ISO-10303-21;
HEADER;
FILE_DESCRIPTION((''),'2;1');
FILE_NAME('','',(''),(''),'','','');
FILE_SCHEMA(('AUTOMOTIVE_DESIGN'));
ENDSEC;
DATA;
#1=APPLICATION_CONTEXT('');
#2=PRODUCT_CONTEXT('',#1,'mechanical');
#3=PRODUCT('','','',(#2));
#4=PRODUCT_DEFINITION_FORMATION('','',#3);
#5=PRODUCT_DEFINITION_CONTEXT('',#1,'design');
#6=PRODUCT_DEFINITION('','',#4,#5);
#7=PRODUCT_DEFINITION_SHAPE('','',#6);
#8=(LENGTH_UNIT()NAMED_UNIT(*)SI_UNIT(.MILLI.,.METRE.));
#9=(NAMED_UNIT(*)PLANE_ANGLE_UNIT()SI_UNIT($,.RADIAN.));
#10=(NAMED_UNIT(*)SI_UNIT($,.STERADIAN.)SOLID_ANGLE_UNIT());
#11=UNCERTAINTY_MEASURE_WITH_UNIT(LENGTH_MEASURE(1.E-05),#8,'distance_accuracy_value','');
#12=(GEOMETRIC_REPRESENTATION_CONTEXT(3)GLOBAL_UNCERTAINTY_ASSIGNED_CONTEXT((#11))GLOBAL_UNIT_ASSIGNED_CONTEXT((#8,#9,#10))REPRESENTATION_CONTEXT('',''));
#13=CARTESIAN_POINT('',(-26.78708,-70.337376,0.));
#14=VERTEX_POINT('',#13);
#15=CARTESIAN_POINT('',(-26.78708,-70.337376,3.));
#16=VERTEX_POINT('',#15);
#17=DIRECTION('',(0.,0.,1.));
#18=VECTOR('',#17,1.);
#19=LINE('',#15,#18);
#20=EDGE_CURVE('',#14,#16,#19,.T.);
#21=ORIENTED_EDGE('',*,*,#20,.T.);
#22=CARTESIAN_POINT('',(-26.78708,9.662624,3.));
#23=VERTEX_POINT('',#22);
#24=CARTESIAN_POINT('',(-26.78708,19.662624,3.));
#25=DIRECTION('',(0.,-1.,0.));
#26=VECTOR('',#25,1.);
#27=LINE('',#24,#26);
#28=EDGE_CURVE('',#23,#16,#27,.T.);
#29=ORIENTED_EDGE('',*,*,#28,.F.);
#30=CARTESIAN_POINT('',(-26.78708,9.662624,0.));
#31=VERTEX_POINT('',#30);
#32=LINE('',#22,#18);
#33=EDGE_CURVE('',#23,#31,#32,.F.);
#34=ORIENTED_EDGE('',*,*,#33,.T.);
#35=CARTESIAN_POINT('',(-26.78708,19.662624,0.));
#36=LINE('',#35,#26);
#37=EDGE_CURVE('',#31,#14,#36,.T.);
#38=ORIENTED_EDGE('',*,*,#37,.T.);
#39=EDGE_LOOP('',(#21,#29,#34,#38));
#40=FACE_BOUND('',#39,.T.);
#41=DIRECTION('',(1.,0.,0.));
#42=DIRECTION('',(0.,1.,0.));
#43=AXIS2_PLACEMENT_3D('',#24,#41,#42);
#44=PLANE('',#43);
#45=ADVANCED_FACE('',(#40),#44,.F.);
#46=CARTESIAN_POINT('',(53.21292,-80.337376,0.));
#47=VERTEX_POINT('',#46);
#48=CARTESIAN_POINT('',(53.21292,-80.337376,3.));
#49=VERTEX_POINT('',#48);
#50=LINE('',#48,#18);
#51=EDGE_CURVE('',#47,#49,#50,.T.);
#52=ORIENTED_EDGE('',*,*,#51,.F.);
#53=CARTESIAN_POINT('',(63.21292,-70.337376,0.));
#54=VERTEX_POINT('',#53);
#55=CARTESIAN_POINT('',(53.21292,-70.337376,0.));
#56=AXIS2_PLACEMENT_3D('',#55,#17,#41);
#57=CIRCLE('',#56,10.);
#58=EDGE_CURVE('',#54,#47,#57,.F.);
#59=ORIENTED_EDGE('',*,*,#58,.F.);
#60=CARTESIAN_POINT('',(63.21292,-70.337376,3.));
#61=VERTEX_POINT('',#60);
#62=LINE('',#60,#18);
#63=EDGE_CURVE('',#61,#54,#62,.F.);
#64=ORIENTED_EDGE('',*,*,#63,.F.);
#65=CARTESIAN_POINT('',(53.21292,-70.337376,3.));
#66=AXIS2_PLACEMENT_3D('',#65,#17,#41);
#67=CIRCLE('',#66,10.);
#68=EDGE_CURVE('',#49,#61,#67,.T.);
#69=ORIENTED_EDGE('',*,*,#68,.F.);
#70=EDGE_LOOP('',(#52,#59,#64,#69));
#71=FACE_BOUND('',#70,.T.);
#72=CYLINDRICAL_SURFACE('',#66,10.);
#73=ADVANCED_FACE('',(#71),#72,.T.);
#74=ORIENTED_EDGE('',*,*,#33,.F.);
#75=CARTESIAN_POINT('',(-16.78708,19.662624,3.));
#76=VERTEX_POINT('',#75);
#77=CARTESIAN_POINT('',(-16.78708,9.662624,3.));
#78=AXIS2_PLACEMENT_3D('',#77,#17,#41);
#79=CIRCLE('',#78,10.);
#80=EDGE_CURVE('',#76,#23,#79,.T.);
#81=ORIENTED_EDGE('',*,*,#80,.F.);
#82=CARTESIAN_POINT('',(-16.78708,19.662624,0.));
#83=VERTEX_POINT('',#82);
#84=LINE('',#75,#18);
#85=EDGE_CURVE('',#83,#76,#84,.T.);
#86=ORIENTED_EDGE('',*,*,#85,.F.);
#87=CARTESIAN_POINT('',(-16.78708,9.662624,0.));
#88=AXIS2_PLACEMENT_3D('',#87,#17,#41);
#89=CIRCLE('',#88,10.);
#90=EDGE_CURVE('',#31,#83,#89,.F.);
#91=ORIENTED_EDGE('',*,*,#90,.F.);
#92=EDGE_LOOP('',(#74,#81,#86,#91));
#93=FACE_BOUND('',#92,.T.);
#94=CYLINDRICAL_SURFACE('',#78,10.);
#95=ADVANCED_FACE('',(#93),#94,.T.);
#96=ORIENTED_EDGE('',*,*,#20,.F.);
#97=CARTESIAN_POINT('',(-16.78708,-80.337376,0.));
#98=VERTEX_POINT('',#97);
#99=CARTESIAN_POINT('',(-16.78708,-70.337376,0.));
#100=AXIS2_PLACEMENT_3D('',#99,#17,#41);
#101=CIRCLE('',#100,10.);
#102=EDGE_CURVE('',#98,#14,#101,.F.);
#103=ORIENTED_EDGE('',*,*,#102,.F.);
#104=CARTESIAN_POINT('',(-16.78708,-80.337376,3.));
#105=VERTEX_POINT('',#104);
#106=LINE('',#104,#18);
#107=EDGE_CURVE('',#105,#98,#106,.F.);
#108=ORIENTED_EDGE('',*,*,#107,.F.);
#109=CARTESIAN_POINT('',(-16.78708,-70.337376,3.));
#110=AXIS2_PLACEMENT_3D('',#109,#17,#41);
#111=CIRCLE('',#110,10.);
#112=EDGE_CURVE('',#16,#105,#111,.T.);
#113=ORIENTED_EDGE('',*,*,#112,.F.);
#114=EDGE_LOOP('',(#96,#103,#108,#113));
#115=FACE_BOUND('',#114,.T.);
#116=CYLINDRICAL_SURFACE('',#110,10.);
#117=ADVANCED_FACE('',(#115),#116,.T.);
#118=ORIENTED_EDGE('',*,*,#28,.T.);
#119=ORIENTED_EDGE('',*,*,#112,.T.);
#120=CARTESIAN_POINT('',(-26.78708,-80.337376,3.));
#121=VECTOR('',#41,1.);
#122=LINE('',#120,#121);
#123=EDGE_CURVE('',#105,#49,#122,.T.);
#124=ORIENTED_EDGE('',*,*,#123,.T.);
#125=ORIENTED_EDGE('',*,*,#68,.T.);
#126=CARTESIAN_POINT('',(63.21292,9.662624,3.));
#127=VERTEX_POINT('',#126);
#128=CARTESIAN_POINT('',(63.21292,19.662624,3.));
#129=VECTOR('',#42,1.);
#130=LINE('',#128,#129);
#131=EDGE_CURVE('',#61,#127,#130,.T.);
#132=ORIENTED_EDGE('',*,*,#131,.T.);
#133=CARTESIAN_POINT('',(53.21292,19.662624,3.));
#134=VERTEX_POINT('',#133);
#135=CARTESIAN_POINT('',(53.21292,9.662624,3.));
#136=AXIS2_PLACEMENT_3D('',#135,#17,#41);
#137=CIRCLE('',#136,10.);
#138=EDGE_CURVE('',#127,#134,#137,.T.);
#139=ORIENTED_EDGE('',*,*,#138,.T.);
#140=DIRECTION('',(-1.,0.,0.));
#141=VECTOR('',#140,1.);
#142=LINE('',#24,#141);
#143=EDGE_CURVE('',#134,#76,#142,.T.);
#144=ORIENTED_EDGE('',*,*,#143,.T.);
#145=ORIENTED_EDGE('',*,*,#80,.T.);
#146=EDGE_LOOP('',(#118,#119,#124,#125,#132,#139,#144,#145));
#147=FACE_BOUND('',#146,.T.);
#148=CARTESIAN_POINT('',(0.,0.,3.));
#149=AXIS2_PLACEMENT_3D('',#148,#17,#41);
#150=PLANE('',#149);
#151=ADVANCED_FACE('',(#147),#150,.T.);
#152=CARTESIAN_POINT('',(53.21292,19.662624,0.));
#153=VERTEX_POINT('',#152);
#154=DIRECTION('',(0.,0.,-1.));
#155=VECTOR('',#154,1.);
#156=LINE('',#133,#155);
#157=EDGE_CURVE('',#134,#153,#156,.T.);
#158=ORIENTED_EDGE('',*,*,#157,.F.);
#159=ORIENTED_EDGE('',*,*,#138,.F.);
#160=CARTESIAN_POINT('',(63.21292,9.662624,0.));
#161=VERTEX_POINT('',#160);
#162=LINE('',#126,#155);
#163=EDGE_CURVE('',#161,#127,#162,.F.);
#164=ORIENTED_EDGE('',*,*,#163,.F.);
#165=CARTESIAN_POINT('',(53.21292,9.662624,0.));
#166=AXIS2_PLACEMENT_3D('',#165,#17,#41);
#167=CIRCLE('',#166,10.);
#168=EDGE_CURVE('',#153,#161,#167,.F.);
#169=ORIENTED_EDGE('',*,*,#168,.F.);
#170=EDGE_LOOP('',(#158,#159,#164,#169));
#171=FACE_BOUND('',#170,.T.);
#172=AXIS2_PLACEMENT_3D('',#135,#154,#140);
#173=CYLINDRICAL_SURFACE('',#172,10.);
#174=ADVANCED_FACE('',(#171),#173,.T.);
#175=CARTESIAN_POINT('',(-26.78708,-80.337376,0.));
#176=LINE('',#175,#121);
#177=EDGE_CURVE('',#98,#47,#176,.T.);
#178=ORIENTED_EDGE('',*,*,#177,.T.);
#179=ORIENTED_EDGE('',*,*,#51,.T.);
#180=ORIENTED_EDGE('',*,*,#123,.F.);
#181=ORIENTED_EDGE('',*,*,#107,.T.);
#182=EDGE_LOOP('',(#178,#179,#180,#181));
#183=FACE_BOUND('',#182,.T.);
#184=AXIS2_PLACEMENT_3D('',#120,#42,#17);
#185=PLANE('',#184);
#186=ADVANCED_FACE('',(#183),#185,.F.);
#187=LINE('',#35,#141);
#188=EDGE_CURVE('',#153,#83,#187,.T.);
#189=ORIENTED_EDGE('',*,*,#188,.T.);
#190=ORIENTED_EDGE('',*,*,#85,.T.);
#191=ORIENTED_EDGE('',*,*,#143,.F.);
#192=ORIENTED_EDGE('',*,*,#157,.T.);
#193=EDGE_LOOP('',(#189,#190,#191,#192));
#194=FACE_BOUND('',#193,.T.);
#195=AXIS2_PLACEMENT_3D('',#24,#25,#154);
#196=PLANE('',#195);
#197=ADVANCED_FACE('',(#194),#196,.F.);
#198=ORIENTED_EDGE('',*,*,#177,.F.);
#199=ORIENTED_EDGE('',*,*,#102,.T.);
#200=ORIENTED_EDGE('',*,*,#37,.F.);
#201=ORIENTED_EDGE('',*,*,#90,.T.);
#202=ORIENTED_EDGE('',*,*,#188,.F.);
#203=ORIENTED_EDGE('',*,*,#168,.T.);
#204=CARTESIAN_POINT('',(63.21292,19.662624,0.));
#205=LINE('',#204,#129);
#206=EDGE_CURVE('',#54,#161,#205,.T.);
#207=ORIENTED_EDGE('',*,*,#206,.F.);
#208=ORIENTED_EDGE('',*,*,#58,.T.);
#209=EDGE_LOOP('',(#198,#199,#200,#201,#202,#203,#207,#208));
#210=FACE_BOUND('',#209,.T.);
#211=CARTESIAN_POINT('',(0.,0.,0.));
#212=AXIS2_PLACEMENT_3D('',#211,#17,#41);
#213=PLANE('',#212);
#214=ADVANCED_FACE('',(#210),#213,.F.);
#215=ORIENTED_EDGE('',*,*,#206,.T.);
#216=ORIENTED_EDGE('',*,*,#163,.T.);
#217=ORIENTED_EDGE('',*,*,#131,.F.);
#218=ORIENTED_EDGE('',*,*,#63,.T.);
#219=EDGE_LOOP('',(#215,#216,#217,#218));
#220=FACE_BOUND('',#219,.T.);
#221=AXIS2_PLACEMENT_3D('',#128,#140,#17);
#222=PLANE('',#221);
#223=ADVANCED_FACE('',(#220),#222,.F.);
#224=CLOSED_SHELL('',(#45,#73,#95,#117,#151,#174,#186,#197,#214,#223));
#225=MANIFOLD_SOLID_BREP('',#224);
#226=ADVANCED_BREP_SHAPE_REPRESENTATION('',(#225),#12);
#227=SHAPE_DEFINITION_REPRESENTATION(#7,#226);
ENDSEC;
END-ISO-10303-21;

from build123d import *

# Parameters (mm, degrees)
SKETCH1_W           = 90
SKETCH1_H           = 100
BOSS_EXTRUDE1_DEPTH = 3
FILLET1_R           = 10
FILLET2_R           = 10
FILLET3_R           = 10
FILLET4_R           = 10


with BuildPart() as part:
    # Sketch1 → Boss-Extrude1 (new body)
    with BuildSketch(Plane.XY):
        with Locations((18.212919511, -30.337376221)):
            Rectangle(SKETCH1_W, SKETCH1_H)
    extrude(amount=BOSS_EXTRUDE1_DEPTH)

    # Fillet1
    fillet1_edges = [part.edges().sort_by_distance(p)[0] for p in [
        (63.212919511, 19.662623779, 1.5),
    ]]
    fillet(fillet1_edges, radius=FILLET1_R)

    # Fillet2
    fillet2_edges = [part.edges().sort_by_distance(p)[0] for p in [
        (-26.787080489, 19.662623779, 1.5),
    ]]
    fillet(fillet2_edges, radius=FILLET2_R)

    # Fillet3
    fillet3_edges = [part.edges().sort_by_distance(p)[0] for p in [
        (-26.787080489, -80.337376221, 1.5),
    ]]
    fillet(fillet3_edges, radius=FILLET3_R)

    # Fillet4
    fillet4_edges = [part.edges().sort_by_distance(p)[0] for p in [
        (63.212919511, -80.337376221, 1.5),
    ]]
    fillet(fillet4_edges, radius=FILLET4_R)


solid = part.part
